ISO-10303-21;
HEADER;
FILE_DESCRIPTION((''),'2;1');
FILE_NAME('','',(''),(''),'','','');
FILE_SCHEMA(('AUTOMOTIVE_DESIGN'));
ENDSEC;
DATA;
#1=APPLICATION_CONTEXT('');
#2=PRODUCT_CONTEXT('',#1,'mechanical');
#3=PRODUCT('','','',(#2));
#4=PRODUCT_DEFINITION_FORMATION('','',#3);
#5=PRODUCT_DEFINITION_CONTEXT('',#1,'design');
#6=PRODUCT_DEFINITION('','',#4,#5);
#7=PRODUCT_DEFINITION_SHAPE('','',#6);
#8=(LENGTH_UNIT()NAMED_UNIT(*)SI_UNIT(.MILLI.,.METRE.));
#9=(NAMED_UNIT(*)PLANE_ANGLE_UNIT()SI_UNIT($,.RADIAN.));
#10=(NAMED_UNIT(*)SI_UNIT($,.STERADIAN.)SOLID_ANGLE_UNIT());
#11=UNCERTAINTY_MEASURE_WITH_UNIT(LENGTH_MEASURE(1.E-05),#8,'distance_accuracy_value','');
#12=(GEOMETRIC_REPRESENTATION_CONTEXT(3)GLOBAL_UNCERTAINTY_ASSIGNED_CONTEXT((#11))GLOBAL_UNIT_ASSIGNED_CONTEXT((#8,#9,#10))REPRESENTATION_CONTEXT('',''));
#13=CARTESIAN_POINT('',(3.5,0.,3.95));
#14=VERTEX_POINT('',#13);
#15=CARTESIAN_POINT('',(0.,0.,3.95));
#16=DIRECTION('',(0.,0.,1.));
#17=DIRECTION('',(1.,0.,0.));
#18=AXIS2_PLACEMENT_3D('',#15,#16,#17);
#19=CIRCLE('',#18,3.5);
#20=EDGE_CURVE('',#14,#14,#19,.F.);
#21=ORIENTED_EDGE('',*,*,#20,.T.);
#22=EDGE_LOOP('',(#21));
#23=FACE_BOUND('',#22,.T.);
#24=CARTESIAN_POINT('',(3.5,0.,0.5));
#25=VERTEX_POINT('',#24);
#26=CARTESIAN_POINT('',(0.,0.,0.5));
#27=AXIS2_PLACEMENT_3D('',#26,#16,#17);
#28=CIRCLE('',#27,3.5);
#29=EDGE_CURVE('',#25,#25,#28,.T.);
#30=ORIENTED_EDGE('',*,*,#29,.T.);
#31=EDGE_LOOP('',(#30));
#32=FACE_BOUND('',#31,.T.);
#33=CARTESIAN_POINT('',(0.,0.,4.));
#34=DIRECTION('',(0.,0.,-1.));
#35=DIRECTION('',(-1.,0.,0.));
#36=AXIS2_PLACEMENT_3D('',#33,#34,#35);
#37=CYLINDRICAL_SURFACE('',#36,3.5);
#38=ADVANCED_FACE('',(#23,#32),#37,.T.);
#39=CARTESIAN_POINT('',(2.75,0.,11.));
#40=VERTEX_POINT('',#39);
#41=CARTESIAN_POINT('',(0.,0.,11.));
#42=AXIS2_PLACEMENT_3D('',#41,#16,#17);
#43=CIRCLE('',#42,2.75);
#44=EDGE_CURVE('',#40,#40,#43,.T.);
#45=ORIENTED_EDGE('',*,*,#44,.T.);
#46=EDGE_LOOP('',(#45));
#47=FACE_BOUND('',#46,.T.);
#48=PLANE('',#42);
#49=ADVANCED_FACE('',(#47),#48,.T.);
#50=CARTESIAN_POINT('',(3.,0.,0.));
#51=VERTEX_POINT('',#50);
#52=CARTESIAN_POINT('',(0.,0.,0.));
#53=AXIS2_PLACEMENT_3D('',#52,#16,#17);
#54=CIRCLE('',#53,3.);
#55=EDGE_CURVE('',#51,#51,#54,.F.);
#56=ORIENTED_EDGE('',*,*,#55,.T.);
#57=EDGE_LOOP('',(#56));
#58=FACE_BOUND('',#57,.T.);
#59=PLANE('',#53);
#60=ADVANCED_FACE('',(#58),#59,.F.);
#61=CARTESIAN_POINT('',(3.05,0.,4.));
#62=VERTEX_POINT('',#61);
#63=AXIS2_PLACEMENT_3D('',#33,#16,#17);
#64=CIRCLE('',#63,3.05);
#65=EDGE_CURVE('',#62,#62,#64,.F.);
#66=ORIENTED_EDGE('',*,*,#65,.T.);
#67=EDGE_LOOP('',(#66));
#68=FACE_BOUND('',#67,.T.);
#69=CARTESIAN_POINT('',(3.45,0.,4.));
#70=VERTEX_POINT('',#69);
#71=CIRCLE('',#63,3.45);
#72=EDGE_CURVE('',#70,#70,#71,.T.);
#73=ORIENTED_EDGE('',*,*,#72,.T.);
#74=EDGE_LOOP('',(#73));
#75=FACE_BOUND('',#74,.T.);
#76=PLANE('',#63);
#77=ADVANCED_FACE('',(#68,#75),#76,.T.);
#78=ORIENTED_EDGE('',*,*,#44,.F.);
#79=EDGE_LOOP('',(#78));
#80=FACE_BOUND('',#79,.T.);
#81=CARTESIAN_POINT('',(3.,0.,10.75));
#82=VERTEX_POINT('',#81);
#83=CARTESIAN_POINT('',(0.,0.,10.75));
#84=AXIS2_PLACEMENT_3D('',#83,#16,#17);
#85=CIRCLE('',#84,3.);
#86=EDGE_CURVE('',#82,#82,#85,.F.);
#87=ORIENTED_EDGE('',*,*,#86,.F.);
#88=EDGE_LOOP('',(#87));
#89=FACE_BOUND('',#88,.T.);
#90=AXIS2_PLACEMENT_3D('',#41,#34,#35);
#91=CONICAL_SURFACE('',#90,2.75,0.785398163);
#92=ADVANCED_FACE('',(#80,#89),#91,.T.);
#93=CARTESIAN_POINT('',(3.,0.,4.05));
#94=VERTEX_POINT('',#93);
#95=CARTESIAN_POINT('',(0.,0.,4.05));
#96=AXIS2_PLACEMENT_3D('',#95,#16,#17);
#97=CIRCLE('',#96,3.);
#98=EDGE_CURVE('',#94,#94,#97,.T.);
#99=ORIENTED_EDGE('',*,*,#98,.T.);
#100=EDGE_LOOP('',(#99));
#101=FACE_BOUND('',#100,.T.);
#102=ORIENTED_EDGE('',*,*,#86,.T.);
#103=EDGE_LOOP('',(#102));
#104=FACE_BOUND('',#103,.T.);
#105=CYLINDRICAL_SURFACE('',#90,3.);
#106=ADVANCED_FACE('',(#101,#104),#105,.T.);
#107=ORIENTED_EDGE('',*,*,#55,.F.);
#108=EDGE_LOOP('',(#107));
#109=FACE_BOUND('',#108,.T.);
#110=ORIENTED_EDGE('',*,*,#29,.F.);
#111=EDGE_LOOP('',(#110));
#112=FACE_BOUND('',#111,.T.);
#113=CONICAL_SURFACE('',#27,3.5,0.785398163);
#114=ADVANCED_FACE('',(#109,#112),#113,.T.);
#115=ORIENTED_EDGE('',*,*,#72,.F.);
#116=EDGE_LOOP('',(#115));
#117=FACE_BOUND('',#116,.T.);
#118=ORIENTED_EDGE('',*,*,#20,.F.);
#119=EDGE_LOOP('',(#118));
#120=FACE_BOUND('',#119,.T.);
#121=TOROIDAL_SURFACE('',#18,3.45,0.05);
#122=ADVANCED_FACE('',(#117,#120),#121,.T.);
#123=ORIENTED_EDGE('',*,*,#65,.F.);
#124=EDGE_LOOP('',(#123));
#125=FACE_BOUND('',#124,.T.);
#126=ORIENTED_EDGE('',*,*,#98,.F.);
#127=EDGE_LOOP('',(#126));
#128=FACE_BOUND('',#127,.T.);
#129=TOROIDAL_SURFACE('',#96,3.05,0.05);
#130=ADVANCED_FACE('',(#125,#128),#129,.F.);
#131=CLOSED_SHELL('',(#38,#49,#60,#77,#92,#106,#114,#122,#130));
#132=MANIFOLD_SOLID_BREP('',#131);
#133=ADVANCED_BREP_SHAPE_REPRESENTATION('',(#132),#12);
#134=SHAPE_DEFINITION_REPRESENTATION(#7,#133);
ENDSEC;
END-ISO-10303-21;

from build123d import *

# Parameters (mm, degrees)
SCHIZZO1_R                   = 3.5
ESTRUSIONE_ESTRUSIONE1_DEPTH = 4
SCHIZZO2_R                   = 3
ESTRUSIONE_ESTRUSIONE2_DEPTH = 7
SMUSSO1_SIZE                 = 0.25
SMUSSO2_SIZE                 = 0.5
RACCORDO1_R                  = 0.05


with BuildPart() as part:
    # Schizzo1 → Estrusione-Estrusione1 (new body)
    with BuildSketch(Plane.XY):
        Circle(SCHIZZO1_R)
    extrude(amount=ESTRUSIONE_ESTRUSIONE1_DEPTH)

    # Schizzo2 → Estrusione-Estrusione2 (add)
    with BuildSketch(Plane.XY.offset(4)):
        Circle(SCHIZZO2_R)
    extrude(amount=ESTRUSIONE_ESTRUSIONE2_DEPTH)

    # Smusso1
    smusso1_edges = [part.edges().sort_by_distance(p)[0] for p in [
        (-3, 0, 11),
    ]]
    chamfer(smusso1_edges, length=SMUSSO1_SIZE)

    # Smusso2
    smusso2_edges = [part.edges().sort_by_distance(p)[0] for p in [
        (-3.5, 0, 0),
    ]]
    chamfer(smusso2_edges, length=SMUSSO2_SIZE)

    # Raccordo1
    raccordo1_edges = [part.edges().sort_by_distance(p)[0] for p in [
        (-3.5, 0, 4),
        (-3, 0, 4),
    ]]
    fillet(raccordo1_edges, radius=RACCORDO1_R)


solid = part.part
